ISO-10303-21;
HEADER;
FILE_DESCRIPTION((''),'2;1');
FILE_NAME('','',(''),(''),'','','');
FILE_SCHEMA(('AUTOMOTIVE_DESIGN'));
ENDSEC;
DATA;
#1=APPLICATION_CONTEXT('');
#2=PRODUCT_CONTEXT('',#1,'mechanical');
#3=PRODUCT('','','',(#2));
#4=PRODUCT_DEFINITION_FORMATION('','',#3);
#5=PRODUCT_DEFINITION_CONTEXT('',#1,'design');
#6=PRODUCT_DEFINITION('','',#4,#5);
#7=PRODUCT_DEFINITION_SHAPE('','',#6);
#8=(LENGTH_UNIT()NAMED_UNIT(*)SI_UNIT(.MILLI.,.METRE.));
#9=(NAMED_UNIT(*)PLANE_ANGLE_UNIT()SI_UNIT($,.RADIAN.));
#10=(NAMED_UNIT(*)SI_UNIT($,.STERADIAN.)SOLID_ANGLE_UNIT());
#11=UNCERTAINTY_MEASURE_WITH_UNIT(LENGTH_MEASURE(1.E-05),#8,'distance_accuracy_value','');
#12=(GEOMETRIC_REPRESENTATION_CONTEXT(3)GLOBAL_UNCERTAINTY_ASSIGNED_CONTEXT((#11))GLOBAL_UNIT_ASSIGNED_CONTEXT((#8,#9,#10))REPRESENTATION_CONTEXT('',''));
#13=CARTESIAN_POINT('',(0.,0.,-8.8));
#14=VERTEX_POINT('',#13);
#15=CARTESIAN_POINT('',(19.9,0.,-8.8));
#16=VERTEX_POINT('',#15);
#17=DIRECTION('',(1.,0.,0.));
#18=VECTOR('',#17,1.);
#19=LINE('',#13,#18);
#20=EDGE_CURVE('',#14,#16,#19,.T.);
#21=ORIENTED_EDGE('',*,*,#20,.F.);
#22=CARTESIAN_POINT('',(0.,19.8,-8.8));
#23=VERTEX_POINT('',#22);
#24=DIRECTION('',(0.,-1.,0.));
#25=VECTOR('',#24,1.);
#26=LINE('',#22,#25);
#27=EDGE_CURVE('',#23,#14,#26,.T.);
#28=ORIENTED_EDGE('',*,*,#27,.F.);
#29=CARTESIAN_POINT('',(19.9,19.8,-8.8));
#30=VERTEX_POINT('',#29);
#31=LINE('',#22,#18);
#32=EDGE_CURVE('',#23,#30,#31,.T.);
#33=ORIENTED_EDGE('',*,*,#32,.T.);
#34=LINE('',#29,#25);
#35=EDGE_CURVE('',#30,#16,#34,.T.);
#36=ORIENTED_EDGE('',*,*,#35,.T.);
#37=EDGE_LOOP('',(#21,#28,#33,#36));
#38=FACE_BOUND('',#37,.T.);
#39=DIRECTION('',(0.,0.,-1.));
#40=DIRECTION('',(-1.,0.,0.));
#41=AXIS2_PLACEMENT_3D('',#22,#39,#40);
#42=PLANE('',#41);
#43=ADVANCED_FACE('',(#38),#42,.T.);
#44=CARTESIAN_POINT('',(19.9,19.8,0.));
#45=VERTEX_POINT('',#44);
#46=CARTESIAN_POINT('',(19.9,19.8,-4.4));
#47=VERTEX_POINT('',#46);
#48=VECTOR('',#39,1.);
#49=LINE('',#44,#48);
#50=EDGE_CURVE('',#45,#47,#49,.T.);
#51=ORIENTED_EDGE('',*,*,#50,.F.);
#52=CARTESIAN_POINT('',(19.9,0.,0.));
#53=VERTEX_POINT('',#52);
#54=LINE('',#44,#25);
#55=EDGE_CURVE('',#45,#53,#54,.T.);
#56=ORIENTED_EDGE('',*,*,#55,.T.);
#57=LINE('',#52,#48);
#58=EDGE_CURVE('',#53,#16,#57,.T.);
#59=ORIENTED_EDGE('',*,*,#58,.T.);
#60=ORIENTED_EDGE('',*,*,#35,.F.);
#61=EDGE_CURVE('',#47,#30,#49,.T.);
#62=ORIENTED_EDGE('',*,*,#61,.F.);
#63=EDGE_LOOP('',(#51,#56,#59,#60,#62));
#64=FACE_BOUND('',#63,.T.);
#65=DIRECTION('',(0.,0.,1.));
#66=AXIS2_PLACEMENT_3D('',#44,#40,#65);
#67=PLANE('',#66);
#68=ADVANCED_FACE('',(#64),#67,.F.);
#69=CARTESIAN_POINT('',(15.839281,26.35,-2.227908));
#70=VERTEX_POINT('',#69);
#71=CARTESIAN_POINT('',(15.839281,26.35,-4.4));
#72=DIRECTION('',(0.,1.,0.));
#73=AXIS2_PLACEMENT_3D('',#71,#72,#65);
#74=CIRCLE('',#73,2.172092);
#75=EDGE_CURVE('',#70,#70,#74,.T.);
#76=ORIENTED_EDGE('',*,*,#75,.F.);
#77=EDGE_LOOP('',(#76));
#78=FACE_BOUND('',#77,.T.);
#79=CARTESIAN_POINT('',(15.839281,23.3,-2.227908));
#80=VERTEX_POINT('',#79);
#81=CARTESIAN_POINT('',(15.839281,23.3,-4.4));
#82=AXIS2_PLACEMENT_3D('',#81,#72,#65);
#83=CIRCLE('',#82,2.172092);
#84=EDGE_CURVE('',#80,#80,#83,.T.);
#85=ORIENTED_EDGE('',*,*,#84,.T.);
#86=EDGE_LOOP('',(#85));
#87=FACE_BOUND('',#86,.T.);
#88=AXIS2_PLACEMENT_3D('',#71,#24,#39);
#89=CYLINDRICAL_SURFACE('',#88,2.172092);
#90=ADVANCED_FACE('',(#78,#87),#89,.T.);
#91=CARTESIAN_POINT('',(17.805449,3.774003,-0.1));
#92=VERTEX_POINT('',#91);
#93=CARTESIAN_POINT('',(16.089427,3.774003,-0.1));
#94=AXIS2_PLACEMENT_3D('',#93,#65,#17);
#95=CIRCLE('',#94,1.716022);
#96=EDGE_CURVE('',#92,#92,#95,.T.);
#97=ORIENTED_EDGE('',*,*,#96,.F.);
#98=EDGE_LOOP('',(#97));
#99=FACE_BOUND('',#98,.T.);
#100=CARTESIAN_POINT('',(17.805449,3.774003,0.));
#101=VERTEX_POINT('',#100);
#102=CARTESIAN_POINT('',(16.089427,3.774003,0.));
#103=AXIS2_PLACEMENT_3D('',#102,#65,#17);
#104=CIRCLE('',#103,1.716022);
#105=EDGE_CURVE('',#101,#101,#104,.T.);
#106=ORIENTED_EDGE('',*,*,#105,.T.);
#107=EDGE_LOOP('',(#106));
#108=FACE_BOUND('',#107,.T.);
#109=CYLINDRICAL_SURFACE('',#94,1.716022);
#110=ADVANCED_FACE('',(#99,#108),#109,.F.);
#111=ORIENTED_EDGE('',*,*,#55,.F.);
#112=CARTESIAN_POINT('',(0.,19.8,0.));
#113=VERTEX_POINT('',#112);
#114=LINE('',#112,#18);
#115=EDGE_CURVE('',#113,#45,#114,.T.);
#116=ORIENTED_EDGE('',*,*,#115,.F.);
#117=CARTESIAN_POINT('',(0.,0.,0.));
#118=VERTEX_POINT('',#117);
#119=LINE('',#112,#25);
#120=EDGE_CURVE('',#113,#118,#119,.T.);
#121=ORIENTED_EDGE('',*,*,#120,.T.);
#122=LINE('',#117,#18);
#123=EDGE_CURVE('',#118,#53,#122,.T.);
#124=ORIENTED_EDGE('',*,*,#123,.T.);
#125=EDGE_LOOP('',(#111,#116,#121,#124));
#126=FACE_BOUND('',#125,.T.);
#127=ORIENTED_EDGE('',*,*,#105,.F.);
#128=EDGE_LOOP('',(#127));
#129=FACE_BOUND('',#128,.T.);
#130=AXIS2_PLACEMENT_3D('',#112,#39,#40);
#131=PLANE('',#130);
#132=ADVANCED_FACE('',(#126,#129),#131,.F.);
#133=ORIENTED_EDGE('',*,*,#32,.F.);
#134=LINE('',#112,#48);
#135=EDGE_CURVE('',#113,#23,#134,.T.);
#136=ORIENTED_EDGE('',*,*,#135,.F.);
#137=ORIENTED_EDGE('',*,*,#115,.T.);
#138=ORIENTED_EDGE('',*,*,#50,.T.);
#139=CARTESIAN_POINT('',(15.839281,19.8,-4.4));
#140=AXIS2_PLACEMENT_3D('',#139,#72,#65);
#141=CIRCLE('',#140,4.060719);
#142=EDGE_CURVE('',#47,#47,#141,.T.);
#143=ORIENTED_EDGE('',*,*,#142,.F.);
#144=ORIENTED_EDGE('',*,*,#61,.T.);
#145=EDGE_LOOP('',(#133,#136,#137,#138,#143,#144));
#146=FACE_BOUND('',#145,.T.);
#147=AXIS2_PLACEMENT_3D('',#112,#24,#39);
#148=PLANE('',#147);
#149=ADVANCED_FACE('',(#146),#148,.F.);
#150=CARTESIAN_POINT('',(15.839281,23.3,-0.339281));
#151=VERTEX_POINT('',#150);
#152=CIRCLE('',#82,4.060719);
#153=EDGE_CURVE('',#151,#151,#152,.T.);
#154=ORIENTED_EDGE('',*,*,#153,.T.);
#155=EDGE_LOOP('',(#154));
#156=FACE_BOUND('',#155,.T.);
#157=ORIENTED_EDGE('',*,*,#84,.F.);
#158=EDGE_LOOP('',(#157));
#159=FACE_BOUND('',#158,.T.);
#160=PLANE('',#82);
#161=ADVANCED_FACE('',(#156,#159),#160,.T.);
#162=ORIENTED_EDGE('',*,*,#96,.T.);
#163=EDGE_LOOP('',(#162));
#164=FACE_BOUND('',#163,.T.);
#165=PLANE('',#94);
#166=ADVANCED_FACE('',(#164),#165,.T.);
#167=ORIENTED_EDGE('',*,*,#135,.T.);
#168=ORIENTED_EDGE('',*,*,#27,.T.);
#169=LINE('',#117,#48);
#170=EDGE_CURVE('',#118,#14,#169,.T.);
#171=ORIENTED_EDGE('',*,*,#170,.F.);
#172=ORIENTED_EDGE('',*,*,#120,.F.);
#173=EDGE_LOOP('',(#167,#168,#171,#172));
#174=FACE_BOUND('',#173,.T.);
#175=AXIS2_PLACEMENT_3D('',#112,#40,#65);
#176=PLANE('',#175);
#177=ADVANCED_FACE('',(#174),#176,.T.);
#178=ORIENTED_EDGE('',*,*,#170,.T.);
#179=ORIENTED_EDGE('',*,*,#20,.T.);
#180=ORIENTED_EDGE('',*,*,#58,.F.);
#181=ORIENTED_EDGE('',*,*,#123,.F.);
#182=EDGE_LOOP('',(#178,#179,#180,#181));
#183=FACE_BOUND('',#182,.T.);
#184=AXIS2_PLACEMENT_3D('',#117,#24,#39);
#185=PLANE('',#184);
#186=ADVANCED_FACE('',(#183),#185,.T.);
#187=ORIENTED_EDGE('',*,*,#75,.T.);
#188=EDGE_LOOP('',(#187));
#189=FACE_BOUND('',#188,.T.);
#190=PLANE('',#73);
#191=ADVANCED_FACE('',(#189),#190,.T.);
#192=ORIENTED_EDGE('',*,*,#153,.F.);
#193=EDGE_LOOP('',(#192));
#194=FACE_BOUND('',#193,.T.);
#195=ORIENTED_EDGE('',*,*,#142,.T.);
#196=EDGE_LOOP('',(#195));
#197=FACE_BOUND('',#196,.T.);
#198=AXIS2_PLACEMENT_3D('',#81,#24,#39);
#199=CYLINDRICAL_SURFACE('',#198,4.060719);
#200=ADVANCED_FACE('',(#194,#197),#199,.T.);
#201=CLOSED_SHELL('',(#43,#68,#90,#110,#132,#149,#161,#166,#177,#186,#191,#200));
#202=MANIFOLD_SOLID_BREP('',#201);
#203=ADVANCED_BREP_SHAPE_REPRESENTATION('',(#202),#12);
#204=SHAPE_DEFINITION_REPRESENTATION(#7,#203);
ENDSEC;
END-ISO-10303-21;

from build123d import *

# Parameters (mm, degrees)
SKETCH1_W           = 19.9
SKETCH1_H           = 8.8
BOSS_EXTRUDE1_DEPTH = 19.8
SKETCH2_R           = 2.172092228
BOSS_EXTRUDE2_DEPTH = 6.55
SKETCH3_R           = 4.06071901
BOSS_EXTRUDE3_DEPTH = 3.5
SKETCH4_R           = 1.716021907
CUT_EXTRUDE1_DEPTH  = 0.1


with BuildPart() as part:
    # Sketch1 → Boss-Extrude1 (new body)
    with BuildSketch(Plane(origin=(0, 0, 0), x_dir=(1, 0, 0), z_dir=(0, 1, 0))):
        with Locations((9.95, 4.4)):
            Rectangle(SKETCH1_W, SKETCH1_H)
    extrude(amount=BOSS_EXTRUDE1_DEPTH)

    # Sketch2 → Boss-Extrude2 (add)
    with BuildSketch(Plane(origin=(0, 19.8, 0), x_dir=(1, 0, 0), z_dir=(0, 1, 0))):
        with Locations((15.83928099, 4.4)):
            Circle(SKETCH2_R)
    extrude(amount=BOSS_EXTRUDE2_DEPTH)

    # Sketch3 → Boss-Extrude3 (add)
    with BuildSketch(Plane(origin=(0, 19.8, 0), x_dir=(1, 0, 0), z_dir=(0, 1, 0))):
        with Locations((15.83928099, 4.4)):
            Circle(SKETCH3_R)
    extrude(amount=BOSS_EXTRUDE3_DEPTH)

    # Sketch4 → Cut-Extrude1 (cut)
    with BuildSketch(Plane.XY):
        with Locations((16.089426616, 3.774002994)):
            Circle(SKETCH4_R)
    extrude(amount=-CUT_EXTRUDE1_DEPTH, mode=Mode.SUBTRACT)


solid = part.part
